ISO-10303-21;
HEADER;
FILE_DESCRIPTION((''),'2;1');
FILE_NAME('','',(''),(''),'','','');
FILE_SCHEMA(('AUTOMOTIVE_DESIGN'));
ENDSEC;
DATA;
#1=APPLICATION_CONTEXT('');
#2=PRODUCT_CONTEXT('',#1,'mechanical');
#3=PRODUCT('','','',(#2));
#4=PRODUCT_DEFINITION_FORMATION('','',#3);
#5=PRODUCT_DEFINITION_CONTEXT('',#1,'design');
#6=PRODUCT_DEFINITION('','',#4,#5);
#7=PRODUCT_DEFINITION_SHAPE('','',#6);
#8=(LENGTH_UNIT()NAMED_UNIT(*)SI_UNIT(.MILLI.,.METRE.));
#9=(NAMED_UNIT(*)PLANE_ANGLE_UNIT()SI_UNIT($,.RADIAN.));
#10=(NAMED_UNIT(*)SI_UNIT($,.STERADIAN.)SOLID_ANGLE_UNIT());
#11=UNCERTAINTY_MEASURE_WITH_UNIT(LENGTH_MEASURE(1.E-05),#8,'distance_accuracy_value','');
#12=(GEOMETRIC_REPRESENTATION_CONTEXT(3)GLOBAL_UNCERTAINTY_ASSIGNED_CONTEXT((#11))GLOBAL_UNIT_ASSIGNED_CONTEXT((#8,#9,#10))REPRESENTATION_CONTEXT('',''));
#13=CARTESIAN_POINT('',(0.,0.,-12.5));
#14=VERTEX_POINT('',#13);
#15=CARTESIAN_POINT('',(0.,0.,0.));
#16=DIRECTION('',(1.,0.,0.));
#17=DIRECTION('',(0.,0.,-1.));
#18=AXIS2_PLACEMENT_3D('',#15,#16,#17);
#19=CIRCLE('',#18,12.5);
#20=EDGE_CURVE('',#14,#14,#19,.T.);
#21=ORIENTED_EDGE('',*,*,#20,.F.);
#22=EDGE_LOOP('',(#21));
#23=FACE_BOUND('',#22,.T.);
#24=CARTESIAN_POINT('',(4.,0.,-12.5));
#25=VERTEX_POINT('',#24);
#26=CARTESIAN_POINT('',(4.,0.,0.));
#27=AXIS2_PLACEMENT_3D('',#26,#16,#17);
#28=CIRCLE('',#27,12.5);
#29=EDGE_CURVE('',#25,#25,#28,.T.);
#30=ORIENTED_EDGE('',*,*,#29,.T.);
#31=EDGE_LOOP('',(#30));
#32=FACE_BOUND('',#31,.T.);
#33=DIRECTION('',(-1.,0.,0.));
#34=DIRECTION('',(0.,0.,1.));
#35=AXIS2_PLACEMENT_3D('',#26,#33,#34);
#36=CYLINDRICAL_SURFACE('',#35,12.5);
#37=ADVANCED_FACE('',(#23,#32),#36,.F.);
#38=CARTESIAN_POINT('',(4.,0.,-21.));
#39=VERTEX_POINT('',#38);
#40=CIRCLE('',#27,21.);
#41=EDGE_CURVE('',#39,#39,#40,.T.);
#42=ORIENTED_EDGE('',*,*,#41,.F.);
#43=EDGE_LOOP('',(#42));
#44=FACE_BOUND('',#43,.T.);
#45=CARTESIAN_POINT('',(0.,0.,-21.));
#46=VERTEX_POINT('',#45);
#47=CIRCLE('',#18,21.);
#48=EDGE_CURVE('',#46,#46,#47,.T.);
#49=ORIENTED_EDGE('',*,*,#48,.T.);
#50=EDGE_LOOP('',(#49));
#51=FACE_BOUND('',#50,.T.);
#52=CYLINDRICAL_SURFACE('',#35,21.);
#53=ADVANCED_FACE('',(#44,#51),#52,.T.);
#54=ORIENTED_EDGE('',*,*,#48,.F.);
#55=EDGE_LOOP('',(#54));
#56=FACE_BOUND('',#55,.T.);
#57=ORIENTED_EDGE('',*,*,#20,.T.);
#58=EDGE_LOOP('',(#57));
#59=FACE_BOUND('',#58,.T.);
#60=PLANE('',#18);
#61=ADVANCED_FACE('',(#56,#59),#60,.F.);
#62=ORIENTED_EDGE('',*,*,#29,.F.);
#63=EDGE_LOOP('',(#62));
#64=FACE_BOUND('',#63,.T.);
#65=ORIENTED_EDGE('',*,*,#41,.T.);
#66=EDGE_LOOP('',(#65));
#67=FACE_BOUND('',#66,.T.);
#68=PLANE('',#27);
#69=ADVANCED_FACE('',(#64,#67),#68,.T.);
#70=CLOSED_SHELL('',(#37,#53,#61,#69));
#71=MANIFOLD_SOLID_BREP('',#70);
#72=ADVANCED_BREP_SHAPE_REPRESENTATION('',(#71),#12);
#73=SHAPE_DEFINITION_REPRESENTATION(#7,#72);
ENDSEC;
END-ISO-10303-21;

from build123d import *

# Parameters (mm, degrees)
SKETCH_1_R      = 21
SKETCH_1_R_2    = 12.5
EXTRUDE_1_DEPTH = 4


with BuildPart() as part:
    # 草图1 → 凸台-拉伸1 (new body)
    with BuildSketch(Plane(origin=(0, 0, 0), x_dir=(0, 0, -1), z_dir=(1, 0, 0))):
        Circle(SKETCH_1_R)
        Circle(SKETCH_1_R_2, mode=Mode.SUBTRACT)
    extrude(amount=EXTRUDE_1_DEPTH)


solid = part.part
